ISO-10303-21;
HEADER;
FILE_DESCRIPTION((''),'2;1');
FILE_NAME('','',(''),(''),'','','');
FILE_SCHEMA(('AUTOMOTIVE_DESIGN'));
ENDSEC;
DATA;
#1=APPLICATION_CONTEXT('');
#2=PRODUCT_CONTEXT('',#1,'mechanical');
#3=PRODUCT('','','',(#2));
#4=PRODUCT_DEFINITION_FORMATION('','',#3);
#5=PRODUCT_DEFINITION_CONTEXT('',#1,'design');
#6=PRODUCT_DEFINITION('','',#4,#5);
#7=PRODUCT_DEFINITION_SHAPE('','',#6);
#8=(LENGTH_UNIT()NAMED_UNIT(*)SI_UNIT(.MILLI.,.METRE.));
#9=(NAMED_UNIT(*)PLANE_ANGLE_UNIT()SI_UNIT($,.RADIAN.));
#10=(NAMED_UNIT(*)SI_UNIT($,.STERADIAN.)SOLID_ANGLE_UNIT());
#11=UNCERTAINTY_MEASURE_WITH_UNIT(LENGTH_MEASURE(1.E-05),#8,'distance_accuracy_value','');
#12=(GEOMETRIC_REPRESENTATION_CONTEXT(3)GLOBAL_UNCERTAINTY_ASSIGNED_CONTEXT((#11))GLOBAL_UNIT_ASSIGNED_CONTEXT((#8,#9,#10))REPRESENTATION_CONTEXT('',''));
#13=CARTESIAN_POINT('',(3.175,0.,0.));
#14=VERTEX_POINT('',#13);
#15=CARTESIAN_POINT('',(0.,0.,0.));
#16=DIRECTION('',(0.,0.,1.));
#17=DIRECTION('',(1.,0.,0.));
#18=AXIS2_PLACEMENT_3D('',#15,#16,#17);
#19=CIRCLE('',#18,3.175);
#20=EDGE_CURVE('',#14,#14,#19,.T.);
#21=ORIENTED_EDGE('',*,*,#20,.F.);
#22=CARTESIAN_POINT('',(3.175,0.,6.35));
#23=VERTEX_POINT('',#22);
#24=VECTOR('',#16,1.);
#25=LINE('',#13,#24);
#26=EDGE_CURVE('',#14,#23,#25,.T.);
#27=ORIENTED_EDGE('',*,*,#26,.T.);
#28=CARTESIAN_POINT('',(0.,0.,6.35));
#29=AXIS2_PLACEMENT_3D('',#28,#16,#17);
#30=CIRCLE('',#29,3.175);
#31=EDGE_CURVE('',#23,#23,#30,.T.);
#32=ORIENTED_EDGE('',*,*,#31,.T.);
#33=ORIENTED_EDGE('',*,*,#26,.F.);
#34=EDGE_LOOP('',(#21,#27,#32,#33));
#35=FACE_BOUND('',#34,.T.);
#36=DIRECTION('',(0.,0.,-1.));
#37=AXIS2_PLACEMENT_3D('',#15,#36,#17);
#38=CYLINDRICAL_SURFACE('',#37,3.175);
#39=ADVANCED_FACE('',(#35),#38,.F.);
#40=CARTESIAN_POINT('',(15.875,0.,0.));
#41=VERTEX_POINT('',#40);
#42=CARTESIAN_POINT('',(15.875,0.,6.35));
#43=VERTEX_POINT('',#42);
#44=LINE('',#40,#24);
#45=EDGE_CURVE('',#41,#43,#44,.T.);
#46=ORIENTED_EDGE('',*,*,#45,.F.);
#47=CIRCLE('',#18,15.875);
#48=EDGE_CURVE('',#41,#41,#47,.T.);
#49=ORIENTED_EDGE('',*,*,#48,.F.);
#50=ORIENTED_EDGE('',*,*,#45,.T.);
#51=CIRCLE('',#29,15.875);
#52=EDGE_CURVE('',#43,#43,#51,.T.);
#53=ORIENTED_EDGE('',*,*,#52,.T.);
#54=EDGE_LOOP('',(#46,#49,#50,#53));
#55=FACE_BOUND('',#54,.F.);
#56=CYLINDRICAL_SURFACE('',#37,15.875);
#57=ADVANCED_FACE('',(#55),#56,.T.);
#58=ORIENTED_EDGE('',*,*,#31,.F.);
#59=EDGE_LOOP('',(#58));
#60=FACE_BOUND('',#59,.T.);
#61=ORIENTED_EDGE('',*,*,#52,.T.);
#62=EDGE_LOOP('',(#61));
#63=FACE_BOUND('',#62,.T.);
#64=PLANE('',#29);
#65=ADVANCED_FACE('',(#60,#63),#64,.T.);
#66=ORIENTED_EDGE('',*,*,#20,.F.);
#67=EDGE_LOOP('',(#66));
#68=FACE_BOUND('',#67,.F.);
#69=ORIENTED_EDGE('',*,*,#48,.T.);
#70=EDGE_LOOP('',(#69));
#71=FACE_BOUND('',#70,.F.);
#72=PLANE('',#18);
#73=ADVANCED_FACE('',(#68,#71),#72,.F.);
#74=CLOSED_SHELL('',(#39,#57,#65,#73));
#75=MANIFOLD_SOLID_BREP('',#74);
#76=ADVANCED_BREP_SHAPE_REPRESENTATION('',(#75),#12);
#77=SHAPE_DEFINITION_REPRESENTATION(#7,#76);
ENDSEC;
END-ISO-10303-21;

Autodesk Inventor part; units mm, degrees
ref_plane "YZ Plane" through (0, 0, 0) normal (1, 0, 0) x (0, 1, 0)
ref_plane "XZ Plane" through (0, 0, 0) normal (0, 1, 0) x (-1, 0, 0)
ref_plane "XY Plane" through (0, 0, 0) normal (0, 0, 1) x (1, 0, 0)
sketch "Sketch1" plane through (0, 0, 0) normal (0, 0, 1) x (1, 0, 0)
  circle A0 centre (0, 0) radius 15.875
  circle A1 centre (0, 0) radius 3.175 projected
  dimension "d0" = 31.75
extrude "Extrusion1" add sketch "Sketch1" along normal blind 6.35
properties part number "shaftEndPlate_RB01"
